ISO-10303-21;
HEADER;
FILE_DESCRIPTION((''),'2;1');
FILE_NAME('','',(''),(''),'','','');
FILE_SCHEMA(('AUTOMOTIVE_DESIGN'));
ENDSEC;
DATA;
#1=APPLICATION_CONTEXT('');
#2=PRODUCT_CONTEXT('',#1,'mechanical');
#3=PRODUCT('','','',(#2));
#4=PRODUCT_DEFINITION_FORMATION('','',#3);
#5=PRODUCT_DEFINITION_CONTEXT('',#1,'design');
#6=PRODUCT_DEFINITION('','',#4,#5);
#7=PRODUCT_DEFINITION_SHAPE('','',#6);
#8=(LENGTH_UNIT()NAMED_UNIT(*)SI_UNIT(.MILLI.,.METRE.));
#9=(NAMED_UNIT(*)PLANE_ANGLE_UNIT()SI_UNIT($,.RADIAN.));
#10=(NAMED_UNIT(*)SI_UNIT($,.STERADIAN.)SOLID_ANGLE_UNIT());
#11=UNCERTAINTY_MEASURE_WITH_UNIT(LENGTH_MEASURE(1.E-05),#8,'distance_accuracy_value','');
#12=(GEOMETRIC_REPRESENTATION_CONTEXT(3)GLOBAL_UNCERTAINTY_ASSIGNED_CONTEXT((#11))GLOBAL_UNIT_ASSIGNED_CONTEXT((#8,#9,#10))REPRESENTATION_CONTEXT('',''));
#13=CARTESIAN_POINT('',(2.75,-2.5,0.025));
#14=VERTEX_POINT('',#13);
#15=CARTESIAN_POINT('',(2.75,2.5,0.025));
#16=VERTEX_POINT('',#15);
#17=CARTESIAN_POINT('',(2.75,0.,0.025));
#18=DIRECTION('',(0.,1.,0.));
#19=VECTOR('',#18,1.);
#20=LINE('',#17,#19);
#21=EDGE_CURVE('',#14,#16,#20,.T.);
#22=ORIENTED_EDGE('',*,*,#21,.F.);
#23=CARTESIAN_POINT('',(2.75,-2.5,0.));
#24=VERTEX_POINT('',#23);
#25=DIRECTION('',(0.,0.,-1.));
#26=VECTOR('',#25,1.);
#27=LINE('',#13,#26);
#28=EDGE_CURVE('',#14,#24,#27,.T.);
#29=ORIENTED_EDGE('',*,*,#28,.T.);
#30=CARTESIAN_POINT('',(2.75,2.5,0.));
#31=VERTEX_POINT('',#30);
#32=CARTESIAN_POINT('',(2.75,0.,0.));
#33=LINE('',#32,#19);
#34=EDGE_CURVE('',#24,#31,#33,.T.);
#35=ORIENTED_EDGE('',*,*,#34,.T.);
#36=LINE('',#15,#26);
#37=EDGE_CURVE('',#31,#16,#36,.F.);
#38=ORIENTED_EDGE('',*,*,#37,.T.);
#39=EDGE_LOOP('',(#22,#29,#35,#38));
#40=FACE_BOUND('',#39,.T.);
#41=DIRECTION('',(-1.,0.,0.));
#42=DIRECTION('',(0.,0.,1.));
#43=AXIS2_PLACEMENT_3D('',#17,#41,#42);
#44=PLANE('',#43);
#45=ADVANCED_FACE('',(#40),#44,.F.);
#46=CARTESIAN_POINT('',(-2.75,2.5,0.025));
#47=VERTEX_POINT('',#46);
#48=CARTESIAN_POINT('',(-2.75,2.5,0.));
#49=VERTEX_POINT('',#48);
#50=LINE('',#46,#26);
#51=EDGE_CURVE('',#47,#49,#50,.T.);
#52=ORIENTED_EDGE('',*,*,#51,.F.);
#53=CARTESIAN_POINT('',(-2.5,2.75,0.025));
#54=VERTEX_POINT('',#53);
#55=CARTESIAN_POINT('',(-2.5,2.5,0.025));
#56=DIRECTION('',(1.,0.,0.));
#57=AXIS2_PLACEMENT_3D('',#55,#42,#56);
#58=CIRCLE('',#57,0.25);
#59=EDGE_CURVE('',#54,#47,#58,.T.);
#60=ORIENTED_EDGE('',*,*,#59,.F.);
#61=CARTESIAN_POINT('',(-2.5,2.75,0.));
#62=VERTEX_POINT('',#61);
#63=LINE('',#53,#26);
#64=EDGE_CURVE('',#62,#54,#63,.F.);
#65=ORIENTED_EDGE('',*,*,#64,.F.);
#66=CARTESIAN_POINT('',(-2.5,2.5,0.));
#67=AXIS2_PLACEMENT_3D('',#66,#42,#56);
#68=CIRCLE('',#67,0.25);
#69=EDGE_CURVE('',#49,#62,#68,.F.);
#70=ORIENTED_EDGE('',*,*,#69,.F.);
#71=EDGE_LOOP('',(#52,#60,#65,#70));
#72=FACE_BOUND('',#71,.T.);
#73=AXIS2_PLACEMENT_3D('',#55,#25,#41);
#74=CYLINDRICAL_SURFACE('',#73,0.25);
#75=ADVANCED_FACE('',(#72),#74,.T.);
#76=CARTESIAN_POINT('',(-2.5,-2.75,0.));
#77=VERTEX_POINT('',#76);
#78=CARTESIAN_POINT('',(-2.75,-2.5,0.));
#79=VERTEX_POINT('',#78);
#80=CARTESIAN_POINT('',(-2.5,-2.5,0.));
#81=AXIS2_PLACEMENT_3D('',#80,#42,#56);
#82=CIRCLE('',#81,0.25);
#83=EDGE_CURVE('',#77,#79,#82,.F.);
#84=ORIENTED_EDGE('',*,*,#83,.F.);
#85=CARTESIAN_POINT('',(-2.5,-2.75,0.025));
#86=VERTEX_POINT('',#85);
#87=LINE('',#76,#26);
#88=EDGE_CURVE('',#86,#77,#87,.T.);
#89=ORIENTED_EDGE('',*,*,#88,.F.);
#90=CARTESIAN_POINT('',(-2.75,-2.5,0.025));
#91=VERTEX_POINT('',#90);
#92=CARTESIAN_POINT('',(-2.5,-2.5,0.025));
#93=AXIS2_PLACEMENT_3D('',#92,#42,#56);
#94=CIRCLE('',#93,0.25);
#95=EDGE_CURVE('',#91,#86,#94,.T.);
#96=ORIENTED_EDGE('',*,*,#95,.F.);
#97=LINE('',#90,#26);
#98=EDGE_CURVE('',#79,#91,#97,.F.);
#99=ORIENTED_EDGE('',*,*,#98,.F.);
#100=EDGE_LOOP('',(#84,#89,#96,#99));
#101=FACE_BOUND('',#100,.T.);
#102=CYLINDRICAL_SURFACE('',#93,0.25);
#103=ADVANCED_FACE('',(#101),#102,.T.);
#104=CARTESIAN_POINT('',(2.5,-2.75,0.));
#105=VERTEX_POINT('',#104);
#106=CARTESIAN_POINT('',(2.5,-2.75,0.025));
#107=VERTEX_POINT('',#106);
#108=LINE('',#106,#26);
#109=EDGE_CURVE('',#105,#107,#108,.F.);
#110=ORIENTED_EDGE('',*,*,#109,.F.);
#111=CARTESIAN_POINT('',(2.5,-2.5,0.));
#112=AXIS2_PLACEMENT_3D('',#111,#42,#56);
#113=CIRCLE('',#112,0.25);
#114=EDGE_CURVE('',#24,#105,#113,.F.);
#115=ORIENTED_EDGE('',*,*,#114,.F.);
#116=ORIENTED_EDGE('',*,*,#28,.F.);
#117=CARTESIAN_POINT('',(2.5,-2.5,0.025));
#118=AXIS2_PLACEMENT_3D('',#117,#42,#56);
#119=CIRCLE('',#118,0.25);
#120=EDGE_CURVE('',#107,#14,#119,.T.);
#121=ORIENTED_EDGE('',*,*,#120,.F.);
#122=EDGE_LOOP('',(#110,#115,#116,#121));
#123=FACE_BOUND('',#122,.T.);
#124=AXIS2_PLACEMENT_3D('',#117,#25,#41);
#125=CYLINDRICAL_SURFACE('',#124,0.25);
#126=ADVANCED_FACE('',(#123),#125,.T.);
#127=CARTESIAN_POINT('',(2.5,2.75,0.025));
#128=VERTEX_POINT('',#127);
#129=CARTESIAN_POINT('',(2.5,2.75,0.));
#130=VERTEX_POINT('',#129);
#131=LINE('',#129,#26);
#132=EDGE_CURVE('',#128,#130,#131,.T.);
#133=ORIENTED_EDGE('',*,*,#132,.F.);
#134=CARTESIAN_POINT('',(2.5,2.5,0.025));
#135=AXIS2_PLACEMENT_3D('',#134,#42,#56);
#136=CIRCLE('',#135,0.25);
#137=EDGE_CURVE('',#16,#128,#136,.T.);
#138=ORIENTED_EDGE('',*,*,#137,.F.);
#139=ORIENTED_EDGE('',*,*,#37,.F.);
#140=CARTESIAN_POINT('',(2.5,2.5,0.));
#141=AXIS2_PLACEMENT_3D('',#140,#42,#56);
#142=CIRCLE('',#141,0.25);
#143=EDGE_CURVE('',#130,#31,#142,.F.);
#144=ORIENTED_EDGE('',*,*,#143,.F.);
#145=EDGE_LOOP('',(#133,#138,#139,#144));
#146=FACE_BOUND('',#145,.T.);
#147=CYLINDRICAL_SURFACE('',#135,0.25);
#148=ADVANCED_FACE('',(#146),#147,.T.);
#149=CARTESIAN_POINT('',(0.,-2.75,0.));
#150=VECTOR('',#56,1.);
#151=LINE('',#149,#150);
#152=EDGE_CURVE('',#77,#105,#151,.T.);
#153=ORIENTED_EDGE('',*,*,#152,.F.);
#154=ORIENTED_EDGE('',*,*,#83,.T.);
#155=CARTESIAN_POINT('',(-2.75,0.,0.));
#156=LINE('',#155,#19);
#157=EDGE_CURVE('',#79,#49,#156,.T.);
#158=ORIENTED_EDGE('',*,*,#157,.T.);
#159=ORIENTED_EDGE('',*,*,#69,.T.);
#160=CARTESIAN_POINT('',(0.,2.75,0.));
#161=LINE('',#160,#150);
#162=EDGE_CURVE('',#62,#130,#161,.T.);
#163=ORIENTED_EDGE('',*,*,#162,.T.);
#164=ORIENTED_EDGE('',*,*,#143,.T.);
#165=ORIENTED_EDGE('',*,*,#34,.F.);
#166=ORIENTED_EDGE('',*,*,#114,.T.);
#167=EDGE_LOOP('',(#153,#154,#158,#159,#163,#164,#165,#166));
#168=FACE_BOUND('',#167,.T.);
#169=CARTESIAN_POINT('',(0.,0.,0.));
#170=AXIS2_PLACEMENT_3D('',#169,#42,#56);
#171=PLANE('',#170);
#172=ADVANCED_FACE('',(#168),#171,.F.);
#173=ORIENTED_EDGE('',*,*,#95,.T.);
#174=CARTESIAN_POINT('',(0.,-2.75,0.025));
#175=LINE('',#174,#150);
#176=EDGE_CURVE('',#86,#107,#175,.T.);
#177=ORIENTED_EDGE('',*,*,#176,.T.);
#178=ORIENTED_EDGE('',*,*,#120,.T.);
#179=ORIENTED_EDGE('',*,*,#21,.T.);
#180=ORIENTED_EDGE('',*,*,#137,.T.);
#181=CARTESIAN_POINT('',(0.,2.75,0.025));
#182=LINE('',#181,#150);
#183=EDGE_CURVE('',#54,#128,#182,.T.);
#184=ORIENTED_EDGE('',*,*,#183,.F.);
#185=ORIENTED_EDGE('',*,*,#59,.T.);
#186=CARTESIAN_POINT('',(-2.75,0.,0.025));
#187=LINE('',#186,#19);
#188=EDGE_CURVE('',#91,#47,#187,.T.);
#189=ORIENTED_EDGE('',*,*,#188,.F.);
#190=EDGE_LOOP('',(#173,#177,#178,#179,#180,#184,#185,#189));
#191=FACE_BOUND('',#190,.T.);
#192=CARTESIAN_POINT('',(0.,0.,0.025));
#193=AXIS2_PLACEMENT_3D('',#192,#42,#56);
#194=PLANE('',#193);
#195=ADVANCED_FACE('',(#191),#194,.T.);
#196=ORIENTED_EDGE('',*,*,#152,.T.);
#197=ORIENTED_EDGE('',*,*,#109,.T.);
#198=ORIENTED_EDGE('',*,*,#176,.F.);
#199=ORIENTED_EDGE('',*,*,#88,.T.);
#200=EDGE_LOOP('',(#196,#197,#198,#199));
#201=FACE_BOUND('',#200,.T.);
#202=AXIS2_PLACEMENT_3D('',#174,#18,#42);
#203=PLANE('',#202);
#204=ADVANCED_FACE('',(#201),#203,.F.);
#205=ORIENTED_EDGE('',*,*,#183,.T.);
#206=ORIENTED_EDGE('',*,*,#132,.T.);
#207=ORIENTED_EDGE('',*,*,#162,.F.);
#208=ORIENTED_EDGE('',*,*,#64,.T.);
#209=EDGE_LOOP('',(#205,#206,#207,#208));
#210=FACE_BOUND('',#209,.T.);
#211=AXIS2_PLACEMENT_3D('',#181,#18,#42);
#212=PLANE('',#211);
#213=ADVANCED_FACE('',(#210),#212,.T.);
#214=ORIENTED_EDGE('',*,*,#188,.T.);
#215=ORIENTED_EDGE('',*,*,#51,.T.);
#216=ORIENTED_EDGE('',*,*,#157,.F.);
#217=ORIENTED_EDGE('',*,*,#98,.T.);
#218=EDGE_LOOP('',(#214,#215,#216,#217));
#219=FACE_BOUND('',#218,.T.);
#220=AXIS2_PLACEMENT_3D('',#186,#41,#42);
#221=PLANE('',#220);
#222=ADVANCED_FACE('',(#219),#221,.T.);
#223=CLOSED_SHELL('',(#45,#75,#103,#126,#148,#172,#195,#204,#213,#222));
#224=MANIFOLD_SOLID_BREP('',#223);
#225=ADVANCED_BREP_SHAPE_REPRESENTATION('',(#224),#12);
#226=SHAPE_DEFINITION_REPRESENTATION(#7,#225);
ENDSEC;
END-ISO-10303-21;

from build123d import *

# Parameters (mm, degrees)
SKETCH1_W           = 5.5
SKETCH1_H           = 5.5
BOSS_EXTRUDE1_DEPTH = 0.025
FILLET1_R           = 0.25


with BuildPart() as part:
    # Sketch1 → Boss-Extrude1 (new body)
    with BuildSketch(Plane.XY):
        Rectangle(SKETCH1_W, SKETCH1_H)
    extrude(amount=BOSS_EXTRUDE1_DEPTH)

    # Fillet1
    fillet1_edges = [part.edges().sort_by_distance(p)[0] for p in [
        (-2.75, 2.75, 0.0125),
        (2.75, 2.75, 0.0125),
        (2.75, -2.75, 0.0125),
        (-2.75, -2.75, 0.0125),
    ]]
    fillet(fillet1_edges, radius=FILLET1_R)


solid = part.part
